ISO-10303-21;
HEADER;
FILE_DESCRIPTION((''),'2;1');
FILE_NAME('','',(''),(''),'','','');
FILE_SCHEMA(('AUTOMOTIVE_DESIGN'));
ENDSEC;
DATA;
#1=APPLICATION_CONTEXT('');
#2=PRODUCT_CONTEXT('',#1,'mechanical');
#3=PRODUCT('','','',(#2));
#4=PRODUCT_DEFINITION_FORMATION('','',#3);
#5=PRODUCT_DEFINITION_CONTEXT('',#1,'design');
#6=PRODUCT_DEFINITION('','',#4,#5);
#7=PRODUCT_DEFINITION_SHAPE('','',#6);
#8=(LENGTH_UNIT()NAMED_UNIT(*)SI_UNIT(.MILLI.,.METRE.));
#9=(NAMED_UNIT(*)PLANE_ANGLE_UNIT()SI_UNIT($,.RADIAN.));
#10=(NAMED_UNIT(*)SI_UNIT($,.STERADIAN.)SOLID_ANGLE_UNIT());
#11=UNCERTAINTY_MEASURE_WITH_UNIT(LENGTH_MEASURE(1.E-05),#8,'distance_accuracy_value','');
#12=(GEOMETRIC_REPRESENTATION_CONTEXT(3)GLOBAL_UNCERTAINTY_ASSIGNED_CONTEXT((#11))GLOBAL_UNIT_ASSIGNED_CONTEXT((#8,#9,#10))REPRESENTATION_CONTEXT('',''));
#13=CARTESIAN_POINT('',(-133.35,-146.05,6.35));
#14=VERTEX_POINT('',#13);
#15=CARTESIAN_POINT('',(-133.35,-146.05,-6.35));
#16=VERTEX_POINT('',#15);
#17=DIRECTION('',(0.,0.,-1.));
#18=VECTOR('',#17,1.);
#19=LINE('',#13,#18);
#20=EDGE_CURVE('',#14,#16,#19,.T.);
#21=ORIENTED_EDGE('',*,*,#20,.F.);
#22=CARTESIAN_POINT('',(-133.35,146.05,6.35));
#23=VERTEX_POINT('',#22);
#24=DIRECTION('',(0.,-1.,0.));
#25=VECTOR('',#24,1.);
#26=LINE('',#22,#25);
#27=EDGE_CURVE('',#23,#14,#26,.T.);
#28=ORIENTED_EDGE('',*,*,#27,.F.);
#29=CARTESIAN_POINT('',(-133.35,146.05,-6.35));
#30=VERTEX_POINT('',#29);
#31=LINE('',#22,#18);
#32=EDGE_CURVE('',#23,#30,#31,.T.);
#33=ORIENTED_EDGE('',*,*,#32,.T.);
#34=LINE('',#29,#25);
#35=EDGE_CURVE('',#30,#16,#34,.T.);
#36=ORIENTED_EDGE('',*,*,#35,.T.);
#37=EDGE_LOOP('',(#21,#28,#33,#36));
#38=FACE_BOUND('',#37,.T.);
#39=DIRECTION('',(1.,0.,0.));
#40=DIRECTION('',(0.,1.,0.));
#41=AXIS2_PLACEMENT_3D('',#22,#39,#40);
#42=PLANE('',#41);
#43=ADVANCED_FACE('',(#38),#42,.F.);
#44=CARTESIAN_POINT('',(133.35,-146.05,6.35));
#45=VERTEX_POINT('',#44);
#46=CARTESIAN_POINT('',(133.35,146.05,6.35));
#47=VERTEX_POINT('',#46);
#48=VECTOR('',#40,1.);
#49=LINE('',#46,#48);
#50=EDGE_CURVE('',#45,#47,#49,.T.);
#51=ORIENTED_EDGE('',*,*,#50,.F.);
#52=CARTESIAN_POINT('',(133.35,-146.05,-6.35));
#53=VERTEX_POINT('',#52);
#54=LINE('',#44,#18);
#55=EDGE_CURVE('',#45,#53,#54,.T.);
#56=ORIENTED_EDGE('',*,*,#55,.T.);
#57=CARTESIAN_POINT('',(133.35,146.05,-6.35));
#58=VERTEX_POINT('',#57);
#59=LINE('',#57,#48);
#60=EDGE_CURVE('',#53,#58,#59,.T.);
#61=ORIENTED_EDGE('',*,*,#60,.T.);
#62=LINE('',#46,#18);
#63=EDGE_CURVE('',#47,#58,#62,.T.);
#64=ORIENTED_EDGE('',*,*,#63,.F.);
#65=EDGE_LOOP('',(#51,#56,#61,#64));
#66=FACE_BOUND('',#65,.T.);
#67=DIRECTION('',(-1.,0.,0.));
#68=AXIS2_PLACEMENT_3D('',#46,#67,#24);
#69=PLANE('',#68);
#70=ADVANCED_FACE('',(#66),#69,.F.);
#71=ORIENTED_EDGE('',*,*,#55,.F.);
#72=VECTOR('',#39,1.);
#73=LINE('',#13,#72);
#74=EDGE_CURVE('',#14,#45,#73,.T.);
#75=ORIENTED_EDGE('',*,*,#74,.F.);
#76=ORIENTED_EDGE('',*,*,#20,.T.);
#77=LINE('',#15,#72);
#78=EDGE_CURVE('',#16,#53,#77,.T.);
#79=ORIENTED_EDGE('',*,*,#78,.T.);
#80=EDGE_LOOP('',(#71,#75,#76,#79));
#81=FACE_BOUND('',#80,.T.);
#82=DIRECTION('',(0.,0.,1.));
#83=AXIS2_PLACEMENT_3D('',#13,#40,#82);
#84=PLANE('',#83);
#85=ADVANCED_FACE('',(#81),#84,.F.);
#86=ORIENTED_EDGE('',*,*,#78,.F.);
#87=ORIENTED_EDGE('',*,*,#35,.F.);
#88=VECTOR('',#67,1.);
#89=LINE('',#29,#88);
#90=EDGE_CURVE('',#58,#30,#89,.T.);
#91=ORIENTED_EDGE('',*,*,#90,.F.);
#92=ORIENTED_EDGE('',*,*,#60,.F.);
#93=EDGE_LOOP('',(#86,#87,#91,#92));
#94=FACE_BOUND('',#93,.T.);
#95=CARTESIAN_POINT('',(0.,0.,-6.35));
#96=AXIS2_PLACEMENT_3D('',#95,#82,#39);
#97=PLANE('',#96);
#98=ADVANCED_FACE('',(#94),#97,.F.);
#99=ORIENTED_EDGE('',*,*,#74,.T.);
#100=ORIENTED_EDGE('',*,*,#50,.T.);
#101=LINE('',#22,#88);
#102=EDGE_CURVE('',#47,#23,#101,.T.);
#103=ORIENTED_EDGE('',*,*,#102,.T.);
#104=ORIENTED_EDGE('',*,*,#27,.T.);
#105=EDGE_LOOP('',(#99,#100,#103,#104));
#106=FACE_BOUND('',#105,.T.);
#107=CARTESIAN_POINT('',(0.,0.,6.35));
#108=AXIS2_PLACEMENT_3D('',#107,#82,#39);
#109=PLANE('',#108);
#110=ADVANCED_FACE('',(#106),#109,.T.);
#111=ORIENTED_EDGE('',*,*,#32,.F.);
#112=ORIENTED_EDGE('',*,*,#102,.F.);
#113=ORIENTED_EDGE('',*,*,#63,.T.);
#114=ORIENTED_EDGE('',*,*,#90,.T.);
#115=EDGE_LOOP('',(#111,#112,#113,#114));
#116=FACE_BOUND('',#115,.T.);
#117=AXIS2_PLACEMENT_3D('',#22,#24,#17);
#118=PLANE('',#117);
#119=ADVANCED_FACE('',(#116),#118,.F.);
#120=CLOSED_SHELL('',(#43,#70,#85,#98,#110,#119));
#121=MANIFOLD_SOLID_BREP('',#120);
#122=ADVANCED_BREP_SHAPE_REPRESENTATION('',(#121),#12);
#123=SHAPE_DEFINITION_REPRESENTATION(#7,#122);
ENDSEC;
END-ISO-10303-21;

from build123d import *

# Parameters (mm, degrees)
SKETCH2_W           = 266.7
SKETCH2_H           = 292.1
BOSS_EXTRUDE1_DEPTH = 6.35


with BuildPart() as part:
    # Sketch2 → Boss-Extrude1 (new body, symmetric)
    with BuildSketch(Plane.XY):
        Rectangle(SKETCH2_W, SKETCH2_H)
    extrude(amount=BOSS_EXTRUDE1_DEPTH, both=True)


solid = part.part
